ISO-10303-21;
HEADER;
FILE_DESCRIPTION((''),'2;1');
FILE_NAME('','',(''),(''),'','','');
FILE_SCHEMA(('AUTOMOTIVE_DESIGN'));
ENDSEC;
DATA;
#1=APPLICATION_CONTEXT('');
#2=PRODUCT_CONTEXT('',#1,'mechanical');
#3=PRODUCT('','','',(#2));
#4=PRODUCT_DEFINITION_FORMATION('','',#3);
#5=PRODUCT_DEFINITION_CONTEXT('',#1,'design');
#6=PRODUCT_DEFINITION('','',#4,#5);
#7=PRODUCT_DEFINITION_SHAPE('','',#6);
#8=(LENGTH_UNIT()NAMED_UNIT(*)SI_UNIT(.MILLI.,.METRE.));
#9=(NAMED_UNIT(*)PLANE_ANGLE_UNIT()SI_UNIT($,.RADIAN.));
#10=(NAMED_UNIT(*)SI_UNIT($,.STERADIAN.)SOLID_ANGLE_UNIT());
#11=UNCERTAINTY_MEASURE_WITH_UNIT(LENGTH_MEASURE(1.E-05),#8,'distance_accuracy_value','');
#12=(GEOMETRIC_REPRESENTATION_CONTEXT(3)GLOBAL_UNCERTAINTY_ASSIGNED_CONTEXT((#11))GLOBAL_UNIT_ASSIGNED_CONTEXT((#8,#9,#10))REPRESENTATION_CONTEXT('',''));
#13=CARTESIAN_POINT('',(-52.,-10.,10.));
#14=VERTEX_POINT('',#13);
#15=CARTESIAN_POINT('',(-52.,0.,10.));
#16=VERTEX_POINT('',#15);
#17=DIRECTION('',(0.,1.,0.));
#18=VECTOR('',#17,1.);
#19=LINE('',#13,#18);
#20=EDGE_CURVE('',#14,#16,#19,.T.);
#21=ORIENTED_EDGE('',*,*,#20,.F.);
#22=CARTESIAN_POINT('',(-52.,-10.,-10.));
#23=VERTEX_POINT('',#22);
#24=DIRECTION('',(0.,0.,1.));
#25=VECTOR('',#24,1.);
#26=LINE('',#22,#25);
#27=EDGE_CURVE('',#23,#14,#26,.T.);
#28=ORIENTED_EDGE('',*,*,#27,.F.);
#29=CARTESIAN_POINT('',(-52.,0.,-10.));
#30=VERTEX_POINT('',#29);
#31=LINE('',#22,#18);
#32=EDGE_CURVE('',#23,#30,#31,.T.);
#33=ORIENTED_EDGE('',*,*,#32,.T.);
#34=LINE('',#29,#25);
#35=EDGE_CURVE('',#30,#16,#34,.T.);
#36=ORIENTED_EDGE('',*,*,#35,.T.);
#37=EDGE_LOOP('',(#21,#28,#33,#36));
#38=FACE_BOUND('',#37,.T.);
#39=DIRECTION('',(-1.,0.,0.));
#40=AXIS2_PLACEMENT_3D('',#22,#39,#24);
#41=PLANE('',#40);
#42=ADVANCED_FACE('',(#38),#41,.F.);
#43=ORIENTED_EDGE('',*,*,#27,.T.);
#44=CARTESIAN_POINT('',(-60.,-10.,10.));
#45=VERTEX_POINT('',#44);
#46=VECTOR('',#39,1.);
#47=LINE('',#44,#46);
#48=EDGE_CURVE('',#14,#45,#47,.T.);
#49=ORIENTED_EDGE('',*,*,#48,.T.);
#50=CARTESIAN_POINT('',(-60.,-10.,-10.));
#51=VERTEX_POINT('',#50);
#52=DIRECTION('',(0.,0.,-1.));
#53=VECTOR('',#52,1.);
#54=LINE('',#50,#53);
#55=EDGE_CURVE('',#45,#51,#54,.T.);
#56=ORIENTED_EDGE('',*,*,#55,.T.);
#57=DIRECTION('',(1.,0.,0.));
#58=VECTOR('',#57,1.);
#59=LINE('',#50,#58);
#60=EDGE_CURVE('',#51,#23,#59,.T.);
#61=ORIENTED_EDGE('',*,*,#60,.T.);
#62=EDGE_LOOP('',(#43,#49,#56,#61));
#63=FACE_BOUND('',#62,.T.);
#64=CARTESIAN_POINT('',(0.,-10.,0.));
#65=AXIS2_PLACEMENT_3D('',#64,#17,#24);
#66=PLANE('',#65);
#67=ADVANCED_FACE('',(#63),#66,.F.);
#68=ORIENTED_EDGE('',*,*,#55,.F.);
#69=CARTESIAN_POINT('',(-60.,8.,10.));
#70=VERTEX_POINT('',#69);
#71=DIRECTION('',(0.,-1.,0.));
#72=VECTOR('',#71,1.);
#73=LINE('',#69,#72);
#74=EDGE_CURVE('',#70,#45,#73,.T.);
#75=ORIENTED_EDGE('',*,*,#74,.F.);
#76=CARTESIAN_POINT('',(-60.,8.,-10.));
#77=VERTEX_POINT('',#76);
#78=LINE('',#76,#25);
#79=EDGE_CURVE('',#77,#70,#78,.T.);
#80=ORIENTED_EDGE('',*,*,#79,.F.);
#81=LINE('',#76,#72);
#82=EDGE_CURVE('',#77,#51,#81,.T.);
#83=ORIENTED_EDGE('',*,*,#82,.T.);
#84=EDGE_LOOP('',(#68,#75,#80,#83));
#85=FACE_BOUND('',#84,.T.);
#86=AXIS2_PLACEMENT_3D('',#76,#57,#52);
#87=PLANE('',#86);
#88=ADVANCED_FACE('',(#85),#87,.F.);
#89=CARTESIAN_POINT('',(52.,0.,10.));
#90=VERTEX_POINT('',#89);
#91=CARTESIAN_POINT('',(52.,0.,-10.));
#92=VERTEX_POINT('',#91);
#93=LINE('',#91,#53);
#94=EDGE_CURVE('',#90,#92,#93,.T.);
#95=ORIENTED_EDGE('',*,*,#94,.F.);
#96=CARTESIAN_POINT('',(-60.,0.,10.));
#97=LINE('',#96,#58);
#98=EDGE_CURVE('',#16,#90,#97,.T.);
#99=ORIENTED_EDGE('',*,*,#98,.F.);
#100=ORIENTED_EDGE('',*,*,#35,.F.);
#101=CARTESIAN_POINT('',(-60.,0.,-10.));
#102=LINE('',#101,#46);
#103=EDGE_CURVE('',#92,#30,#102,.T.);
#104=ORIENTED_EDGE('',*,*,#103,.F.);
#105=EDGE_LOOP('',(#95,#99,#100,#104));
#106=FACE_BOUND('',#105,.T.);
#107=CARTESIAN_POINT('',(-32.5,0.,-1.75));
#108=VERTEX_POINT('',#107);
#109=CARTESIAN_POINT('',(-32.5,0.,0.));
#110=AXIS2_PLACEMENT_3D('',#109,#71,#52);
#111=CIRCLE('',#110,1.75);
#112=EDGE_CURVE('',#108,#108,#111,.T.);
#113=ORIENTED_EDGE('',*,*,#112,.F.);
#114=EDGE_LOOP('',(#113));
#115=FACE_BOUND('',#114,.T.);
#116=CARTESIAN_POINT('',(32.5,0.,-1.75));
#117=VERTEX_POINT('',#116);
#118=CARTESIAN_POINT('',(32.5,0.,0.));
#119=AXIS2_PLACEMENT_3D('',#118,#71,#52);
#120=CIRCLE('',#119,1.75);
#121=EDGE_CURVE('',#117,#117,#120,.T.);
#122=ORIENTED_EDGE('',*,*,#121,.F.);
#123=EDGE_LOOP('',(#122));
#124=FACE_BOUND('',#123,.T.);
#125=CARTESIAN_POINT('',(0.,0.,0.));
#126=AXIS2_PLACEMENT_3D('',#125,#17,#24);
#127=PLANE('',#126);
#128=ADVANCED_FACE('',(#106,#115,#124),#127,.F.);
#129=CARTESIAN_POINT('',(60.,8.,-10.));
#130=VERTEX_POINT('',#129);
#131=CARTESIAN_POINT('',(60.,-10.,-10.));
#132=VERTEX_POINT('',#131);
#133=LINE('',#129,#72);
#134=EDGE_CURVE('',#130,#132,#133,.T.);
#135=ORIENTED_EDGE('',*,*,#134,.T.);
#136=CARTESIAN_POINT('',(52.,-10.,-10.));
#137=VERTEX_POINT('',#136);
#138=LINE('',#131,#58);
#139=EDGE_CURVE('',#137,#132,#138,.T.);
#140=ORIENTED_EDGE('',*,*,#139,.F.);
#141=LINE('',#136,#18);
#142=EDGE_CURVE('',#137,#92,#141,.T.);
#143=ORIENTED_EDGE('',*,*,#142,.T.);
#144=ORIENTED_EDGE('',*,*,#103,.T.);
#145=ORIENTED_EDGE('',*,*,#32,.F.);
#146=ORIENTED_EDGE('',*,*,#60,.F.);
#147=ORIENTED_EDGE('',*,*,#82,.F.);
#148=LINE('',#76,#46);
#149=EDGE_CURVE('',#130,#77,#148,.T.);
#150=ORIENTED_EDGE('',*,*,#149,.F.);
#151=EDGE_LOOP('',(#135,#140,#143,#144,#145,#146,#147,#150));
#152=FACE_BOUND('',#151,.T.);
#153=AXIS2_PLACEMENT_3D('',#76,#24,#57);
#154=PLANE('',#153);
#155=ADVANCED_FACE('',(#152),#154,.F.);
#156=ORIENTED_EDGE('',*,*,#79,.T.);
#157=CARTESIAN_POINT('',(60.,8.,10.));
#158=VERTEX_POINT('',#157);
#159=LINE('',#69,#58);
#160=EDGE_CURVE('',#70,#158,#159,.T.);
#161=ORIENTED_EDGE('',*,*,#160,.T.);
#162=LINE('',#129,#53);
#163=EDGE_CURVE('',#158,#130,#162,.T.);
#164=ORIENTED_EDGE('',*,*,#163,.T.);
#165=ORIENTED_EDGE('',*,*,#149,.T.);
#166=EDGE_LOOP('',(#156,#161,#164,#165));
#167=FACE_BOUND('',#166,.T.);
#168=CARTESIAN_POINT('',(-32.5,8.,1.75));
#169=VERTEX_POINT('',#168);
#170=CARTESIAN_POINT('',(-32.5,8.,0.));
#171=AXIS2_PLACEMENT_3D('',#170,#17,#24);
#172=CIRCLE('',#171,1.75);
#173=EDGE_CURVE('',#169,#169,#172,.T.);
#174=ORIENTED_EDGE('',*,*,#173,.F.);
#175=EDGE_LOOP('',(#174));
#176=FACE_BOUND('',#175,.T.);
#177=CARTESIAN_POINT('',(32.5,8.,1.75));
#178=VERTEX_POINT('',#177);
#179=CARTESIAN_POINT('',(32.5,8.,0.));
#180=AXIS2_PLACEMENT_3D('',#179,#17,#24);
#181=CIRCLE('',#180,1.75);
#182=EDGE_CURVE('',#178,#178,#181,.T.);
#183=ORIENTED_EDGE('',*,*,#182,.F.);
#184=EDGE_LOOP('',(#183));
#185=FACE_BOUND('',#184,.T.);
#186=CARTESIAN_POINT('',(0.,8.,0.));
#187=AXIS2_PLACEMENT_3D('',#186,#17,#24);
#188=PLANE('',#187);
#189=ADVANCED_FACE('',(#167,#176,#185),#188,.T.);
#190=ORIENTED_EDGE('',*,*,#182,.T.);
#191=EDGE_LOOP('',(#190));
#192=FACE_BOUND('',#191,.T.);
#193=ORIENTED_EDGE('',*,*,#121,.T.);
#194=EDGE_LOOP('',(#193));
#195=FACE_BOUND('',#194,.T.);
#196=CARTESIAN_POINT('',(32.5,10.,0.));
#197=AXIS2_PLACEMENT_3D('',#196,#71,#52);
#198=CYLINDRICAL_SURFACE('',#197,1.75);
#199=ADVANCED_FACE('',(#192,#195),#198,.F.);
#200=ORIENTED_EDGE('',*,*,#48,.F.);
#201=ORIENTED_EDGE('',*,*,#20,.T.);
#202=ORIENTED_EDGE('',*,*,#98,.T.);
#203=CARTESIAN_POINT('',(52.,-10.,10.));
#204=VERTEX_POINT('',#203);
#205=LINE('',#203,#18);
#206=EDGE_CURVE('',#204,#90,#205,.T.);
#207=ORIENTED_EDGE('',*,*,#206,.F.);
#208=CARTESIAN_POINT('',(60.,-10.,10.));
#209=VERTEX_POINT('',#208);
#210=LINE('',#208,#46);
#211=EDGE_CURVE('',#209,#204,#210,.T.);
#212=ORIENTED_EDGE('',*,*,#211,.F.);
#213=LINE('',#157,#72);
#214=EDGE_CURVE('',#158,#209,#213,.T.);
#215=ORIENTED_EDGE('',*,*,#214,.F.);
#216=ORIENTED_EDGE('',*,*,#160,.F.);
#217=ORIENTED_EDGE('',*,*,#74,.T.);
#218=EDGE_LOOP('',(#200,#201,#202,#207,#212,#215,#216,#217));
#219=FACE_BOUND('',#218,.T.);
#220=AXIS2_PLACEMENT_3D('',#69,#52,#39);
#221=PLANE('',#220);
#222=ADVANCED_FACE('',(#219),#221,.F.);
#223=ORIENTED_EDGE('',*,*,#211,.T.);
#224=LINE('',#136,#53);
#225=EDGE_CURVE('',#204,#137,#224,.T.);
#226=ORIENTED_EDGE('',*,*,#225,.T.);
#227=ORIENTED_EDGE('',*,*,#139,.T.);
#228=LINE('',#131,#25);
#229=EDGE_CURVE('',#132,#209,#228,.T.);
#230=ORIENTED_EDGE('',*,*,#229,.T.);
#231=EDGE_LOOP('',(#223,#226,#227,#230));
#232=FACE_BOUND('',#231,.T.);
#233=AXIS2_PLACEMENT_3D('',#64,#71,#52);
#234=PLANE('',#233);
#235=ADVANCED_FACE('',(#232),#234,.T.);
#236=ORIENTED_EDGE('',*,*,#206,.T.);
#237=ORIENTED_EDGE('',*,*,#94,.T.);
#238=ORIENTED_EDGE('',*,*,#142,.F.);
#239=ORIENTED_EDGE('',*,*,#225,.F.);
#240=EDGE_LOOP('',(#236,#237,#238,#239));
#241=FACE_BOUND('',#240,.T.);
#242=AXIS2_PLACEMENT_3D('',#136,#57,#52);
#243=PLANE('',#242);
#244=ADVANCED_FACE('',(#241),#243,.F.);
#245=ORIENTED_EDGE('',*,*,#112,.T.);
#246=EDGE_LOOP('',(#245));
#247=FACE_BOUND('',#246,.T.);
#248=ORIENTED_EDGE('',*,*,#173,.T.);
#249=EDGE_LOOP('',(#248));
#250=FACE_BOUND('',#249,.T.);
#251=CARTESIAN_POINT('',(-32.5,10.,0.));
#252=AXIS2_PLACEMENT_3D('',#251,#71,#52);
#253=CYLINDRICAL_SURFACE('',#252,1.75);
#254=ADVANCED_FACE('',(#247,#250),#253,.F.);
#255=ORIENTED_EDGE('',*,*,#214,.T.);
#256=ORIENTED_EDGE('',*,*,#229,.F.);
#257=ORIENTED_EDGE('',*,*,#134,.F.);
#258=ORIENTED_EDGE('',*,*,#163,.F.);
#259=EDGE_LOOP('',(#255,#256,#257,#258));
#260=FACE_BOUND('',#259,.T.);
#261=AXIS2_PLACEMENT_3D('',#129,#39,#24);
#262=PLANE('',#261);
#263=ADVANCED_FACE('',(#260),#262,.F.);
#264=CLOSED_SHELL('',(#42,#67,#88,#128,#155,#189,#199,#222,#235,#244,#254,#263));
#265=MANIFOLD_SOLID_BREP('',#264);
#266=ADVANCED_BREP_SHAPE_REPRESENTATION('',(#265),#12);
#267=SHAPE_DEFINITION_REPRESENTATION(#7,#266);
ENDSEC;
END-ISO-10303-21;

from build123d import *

# Parameters (mm, degrees)
SKETCH1_W           = 120
SKETCH1_H           = 20
BOSS_EXTRUDE1_DEPTH = 8
SKETCH2_W           = 8
SKETCH2_H           = 20
BOSS_EXTRUDE2_DEPTH = 10
SKETCH3_R           = 1.75
CUT_EXTRUDE1_DEPTH  = 10


with BuildPart() as part:
    # Sketch1 → Boss-Extrude1 (new body)
    with BuildSketch(Plane(origin=(0, 0, 0), x_dir=(1, 0, 0), z_dir=(0, 1, 0))):
        Rectangle(SKETCH1_W, SKETCH1_H)
    extrude(amount=BOSS_EXTRUDE1_DEPTH)

    # Sketch2 → Boss-Extrude2 (add)
    with BuildSketch(Plane.XZ):
        with Locations((56, 0)):
            Rectangle(SKETCH2_W, SKETCH2_H)
        with Locations((-56, 0)):
            Rectangle(SKETCH2_W, SKETCH2_H)
    extrude(amount=BOSS_EXTRUDE2_DEPTH)

    # Sketch3 → Cut-Extrude1 (cut)
    with BuildSketch(Plane.XZ):
        with Locations((32.5, 0)):
            Circle(SKETCH3_R)
        with Locations((-32.5, 0)):
            Circle(SKETCH3_R)
    extrude(amount=-CUT_EXTRUDE1_DEPTH, mode=Mode.SUBTRACT)


solid = part.part
